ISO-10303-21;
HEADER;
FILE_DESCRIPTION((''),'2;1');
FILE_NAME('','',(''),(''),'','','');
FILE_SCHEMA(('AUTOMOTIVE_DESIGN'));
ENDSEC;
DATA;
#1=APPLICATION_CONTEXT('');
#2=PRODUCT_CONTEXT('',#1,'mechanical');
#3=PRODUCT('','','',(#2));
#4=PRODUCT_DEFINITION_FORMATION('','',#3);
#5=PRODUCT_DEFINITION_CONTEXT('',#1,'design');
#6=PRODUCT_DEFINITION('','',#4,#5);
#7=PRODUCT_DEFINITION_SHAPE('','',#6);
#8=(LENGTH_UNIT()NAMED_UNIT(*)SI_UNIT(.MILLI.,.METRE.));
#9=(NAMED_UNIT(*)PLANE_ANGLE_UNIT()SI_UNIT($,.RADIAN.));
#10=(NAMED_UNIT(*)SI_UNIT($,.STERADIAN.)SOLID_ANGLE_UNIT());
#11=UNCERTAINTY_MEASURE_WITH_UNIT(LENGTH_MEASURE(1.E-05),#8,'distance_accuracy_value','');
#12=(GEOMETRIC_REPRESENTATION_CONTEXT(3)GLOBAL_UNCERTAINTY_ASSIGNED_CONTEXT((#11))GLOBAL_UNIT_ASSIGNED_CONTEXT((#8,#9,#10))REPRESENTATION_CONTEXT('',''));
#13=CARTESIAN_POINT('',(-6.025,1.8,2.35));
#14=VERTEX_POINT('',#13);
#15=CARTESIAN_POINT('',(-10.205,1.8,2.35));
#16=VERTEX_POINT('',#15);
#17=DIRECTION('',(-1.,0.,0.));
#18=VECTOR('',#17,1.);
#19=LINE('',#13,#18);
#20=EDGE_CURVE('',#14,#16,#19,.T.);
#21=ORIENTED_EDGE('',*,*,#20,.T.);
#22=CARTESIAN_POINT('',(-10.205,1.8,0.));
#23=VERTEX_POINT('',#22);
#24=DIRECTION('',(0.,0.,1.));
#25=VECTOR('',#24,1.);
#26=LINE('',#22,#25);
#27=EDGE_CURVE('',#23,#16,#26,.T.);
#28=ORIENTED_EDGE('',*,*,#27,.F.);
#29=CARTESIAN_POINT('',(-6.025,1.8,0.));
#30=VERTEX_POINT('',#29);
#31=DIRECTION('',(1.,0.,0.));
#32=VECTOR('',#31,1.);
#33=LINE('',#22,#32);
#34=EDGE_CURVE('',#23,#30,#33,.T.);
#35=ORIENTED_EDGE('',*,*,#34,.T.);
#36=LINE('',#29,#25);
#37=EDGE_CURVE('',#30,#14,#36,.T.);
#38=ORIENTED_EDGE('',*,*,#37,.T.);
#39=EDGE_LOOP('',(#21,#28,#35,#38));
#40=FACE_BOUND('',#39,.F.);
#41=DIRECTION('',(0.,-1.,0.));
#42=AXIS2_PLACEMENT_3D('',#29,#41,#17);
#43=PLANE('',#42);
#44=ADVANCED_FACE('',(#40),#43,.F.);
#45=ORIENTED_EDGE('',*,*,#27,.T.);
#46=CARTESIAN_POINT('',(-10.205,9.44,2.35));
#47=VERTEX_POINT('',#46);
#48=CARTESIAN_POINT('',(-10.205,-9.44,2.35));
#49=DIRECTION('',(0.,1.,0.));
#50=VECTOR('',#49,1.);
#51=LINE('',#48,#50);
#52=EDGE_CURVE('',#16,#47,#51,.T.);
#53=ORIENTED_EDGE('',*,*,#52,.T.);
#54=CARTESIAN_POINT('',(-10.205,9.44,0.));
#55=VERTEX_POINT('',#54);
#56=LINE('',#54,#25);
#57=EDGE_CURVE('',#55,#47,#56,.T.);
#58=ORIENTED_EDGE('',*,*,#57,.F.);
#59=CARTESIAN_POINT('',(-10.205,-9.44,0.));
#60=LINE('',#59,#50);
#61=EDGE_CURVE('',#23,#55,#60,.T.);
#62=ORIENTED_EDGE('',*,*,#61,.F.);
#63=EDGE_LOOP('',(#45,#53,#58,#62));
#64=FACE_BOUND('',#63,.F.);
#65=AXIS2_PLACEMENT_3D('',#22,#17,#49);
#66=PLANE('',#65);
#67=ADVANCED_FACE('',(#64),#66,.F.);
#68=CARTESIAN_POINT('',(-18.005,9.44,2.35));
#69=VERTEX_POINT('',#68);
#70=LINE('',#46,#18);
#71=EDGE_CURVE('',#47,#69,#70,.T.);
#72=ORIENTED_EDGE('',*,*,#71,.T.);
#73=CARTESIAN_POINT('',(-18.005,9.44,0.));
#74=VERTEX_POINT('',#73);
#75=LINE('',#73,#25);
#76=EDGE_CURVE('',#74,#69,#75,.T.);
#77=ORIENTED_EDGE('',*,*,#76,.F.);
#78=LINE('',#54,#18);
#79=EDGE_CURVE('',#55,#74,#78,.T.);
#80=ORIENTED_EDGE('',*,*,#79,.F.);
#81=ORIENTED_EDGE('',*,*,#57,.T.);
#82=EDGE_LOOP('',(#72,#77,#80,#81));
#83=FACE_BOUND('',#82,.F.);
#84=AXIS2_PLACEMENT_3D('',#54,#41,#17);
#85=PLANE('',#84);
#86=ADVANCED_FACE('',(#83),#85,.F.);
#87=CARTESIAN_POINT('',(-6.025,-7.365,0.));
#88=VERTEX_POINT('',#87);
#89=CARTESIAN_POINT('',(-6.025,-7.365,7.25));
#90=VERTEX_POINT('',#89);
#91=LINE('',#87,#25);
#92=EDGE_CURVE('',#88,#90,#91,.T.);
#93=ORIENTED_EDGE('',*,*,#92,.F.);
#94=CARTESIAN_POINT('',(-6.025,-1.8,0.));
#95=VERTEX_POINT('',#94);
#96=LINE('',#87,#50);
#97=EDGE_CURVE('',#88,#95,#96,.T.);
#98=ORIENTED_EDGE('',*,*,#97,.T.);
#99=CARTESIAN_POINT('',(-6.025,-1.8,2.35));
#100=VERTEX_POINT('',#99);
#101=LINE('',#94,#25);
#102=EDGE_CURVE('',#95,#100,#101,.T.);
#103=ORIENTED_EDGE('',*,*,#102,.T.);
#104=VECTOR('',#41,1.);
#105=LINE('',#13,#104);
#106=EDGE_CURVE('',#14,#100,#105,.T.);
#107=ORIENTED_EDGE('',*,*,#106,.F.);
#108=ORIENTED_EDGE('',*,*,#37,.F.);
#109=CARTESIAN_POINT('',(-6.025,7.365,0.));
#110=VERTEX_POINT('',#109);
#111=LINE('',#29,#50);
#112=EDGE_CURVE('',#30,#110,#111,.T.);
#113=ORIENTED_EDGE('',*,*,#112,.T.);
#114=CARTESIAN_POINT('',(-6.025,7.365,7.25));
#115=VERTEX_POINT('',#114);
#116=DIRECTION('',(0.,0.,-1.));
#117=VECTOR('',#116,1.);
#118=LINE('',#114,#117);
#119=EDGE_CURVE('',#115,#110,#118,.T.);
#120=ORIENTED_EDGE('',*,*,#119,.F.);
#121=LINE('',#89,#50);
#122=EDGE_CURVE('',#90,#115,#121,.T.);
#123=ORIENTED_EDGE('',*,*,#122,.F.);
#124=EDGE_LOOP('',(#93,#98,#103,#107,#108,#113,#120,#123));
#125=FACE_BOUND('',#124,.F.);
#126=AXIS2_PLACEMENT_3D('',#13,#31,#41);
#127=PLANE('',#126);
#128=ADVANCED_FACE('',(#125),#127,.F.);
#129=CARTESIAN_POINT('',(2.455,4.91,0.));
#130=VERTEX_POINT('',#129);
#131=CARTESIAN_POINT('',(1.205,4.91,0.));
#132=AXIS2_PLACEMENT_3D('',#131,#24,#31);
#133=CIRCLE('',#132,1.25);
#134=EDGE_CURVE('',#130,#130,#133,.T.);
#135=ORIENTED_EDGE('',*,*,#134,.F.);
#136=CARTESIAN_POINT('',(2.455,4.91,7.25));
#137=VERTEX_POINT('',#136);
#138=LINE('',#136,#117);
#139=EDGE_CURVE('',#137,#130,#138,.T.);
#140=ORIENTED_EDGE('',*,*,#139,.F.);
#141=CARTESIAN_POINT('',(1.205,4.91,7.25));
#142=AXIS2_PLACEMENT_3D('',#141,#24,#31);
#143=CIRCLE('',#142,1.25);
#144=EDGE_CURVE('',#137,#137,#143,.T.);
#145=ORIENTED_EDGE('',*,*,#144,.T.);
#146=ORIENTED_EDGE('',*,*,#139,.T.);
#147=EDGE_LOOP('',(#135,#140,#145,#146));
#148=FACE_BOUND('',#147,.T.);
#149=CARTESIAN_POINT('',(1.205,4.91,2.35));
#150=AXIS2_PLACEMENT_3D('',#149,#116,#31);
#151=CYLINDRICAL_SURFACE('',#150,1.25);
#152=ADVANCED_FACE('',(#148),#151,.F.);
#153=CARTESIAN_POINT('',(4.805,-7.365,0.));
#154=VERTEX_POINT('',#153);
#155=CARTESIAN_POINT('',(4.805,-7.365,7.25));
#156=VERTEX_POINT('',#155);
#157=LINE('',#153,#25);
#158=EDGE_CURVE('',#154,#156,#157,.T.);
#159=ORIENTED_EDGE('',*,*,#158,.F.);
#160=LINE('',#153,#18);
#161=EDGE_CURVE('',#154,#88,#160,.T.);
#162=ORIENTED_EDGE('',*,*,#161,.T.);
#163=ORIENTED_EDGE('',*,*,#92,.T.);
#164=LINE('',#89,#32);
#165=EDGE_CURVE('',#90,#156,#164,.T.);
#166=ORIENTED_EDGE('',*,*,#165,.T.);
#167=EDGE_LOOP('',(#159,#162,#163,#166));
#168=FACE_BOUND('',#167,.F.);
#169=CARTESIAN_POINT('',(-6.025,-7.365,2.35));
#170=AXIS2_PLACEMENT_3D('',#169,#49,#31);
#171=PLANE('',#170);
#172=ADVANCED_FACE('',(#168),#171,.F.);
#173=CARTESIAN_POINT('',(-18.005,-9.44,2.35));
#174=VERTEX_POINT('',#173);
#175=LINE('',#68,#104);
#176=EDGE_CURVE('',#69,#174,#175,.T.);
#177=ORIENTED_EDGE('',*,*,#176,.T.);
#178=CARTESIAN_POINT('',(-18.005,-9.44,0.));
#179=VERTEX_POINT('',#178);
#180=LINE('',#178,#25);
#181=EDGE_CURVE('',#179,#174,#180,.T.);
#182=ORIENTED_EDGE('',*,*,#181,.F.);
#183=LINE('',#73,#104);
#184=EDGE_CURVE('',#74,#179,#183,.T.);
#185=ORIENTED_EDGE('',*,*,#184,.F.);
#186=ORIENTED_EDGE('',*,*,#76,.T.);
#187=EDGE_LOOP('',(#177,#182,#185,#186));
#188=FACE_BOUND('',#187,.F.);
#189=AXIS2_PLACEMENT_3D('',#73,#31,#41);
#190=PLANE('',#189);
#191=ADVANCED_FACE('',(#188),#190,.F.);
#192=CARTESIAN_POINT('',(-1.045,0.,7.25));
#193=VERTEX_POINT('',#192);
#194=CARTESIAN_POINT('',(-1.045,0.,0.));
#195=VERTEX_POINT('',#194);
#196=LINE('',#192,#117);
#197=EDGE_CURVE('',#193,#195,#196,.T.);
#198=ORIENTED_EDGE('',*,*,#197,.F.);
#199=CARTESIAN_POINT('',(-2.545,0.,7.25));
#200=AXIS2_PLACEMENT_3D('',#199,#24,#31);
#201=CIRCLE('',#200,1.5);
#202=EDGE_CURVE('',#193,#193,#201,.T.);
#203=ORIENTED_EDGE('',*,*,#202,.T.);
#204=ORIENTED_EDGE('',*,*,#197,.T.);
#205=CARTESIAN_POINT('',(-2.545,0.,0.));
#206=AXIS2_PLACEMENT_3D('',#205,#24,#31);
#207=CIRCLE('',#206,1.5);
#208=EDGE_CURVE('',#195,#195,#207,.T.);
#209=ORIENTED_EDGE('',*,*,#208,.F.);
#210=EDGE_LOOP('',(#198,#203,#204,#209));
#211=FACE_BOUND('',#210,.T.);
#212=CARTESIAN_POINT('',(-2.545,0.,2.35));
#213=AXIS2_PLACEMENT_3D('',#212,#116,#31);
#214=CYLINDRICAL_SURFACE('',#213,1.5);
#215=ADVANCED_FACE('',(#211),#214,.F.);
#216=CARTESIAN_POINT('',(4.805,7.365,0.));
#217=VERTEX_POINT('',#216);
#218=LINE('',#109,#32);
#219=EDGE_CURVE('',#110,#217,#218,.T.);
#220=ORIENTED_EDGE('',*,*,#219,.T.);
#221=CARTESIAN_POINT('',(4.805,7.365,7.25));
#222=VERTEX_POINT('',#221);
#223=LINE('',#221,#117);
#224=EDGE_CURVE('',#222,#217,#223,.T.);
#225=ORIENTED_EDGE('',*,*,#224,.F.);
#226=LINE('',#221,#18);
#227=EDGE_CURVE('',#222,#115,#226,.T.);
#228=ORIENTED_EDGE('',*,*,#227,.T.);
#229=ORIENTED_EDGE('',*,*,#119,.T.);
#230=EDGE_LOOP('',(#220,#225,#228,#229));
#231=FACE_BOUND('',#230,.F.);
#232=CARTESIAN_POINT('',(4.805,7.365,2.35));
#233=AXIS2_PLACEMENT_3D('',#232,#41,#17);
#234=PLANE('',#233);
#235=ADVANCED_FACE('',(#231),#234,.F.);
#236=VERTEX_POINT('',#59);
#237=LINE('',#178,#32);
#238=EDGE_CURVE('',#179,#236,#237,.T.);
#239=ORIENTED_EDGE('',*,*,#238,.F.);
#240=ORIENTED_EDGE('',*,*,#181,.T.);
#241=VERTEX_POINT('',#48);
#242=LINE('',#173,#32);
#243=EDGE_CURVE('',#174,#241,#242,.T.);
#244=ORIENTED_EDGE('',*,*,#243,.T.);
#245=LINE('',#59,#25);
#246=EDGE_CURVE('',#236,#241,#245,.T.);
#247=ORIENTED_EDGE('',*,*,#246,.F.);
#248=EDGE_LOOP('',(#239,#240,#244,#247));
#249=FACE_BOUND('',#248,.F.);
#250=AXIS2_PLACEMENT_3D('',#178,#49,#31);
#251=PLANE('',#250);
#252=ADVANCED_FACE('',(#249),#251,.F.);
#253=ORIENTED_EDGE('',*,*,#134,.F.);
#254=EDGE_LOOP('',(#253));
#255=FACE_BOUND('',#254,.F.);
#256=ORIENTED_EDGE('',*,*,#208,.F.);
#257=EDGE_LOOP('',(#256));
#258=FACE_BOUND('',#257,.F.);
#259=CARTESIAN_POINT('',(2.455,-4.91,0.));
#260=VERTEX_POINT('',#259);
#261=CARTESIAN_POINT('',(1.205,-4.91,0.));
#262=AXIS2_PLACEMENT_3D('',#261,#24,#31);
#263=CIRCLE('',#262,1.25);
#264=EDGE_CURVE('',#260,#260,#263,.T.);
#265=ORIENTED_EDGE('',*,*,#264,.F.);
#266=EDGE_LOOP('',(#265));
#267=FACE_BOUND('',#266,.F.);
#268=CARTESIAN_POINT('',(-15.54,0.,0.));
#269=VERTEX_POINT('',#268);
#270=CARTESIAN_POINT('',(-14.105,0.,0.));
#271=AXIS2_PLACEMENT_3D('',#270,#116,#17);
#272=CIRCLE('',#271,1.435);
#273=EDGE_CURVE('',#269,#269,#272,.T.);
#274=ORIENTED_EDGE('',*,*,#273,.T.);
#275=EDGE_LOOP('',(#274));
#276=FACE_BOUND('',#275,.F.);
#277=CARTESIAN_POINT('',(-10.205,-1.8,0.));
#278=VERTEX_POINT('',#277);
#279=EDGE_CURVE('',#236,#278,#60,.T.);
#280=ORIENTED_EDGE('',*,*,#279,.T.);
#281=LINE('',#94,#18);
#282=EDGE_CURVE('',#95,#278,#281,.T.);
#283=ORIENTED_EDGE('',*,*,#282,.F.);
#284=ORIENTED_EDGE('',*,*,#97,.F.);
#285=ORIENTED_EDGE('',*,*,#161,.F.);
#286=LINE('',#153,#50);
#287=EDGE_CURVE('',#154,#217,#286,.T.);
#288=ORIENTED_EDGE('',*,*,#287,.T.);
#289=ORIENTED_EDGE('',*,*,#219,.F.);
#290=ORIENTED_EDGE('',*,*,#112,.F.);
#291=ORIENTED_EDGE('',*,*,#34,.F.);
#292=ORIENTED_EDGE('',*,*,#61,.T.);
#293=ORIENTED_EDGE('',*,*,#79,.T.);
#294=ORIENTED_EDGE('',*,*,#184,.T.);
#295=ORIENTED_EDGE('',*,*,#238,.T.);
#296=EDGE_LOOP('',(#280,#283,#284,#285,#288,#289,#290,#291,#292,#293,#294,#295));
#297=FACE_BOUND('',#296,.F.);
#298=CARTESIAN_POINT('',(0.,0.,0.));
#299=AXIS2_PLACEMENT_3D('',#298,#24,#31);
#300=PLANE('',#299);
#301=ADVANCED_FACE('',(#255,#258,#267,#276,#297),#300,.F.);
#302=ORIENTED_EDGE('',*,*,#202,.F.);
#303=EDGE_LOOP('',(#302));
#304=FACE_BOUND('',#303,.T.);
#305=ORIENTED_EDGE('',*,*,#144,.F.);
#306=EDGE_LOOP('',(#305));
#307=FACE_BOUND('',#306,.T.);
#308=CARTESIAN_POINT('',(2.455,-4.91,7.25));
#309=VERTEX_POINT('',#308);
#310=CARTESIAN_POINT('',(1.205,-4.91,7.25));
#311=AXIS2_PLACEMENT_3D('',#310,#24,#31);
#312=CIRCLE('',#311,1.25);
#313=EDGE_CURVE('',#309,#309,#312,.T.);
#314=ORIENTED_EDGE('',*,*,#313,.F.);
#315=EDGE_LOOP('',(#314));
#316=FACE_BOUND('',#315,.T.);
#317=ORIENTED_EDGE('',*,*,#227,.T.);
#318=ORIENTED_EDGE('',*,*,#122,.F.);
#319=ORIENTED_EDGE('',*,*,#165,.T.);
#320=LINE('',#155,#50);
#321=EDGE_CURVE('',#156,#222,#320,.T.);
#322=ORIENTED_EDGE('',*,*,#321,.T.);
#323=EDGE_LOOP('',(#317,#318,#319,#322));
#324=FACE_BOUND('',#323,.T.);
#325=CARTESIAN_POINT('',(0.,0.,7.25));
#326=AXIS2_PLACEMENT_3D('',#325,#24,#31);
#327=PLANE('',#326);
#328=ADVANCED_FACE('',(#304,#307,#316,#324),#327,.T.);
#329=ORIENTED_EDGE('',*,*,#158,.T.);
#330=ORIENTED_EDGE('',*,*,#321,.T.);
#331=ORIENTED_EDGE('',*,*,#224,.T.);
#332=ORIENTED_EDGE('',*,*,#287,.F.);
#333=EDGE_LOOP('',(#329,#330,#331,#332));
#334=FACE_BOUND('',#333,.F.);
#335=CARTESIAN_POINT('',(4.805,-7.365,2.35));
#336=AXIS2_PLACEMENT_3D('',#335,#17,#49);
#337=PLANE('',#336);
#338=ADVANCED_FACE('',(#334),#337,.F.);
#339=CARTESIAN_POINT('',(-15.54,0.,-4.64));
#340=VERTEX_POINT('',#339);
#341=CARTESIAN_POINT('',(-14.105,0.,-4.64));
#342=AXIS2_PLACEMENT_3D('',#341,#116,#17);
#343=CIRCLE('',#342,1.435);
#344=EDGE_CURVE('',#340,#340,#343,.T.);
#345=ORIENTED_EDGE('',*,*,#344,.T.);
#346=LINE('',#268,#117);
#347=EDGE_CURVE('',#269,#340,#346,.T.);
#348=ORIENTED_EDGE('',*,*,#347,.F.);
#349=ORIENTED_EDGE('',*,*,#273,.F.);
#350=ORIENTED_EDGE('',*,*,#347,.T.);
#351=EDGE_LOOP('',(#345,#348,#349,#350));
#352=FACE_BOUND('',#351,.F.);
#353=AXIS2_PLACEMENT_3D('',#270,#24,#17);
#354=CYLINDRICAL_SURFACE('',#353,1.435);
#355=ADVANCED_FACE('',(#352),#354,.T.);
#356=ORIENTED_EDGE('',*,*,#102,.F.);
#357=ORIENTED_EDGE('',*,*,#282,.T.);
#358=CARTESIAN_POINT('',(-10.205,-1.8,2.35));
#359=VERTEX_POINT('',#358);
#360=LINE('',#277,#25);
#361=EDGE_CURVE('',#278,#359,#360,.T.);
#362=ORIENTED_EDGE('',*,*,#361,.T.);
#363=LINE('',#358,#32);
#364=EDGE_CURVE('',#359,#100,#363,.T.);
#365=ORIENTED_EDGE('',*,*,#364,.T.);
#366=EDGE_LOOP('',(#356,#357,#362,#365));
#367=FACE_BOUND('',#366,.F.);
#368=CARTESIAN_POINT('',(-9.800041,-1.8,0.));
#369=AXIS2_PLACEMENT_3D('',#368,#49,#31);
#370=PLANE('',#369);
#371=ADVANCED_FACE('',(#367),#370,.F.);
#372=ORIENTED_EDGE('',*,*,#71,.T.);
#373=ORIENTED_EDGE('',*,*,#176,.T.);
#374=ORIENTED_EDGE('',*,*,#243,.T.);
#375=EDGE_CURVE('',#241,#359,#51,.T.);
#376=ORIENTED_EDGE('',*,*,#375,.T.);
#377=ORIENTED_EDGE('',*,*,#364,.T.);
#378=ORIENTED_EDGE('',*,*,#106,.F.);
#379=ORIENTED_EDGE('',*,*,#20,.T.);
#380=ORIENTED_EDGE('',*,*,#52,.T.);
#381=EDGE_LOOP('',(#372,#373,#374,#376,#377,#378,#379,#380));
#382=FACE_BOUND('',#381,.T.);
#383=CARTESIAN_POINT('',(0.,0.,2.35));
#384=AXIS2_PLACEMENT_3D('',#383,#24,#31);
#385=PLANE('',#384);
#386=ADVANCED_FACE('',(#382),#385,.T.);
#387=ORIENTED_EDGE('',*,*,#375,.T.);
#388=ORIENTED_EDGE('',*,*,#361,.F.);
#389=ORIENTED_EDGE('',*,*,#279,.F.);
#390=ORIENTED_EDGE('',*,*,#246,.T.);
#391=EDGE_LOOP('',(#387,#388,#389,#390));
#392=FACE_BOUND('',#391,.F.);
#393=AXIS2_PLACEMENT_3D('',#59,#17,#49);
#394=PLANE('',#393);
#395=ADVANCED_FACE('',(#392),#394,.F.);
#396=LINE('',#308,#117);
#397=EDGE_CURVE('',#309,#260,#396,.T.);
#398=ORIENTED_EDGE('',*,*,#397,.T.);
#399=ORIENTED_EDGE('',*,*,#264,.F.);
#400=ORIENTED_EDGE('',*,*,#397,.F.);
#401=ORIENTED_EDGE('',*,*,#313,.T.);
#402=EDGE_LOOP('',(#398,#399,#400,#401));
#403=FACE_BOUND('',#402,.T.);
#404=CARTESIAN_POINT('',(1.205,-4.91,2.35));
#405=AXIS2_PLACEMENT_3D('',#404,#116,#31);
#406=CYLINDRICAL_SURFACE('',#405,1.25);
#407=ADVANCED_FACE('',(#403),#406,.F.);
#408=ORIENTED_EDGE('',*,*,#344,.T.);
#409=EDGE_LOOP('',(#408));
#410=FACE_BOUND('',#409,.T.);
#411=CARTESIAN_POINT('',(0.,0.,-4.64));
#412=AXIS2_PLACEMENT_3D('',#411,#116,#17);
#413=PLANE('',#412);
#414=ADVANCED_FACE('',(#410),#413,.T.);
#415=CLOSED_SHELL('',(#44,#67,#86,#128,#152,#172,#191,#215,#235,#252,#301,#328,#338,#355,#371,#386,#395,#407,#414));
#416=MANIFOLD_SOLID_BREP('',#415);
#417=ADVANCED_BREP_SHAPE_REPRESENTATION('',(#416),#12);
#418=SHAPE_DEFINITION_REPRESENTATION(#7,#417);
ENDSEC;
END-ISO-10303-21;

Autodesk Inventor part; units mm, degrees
ref_plane "YZ Plane" through (0, 0, 0) normal (1, 0, 0) x (0, 1, 0)
ref_plane "XZ Plane" through (0, 0, 0) normal (0, 1, 0) x (-1, 0, 0)
ref_plane "XY Plane" through (0, 0, 0) normal (0, 0, 1) x (1, 0, 0)
sketch "Skizze1" plane through (0, 0, 0) normal (0, 0, 1) x (1, 0, 0)
  circle A0 centre (-2.545, 0) radius 7.475 projected
  circle A1 centre (-2.545, 0) radius 1.5 projected
  circle A2 centre (1.205, -4.91) radius 1.25 projected
  circle A3 centre (1.205, 4.91) radius 1.25 projected
  line L0 (-6.025, -7.365) -> (4.805, -7.365)
  line L1 (4.805, -7.365) -> (4.805, 7.365)
  line L2 (4.805, 7.365) -> (-6.025, 7.365)
  line L3 (-6.025, 7.365) -> (-6.025, -7.365)
  line L4 (-6.025, -7.365) -> (4.805, 7.365) construction
  line L5 (4.805, -7.365) -> (-6.025, 7.365) construction
  line L6 (-10.205, -1.8) -> (-6.025, -1.8)
  line L7 (-6.025, -1.8) -> (-6.025, 1.8)
  line L8 (-6.025, 1.8) -> (-10.205, 1.8)
  line L9 (-10.205, 1.8) -> (-10.205, -1.8)
  line L10 (-10.205, -1.8) -> (-6.025, 1.8) construction
  line L11 (-6.025, -1.8) -> (-10.205, 1.8) construction
  line L12 (-18.005, -9.44) -> (-10.205, -9.44)
  line L13 (-10.205, -9.44) -> (-10.205, 9.44)
  line L14 (-10.205, 9.44) -> (-18.005, 9.44)
  line L15 (-18.005, 9.44) -> (-18.005, -9.44)
  line L16 (-18.005, -9.44) -> (-10.205, 9.44) construction
  line L17 (-10.205, -9.44) -> (-18.005, 9.44) construction
  point P0 (0, 0)
  point P1 (-0.61, 0)
  point P2 (-8.115, 0)
  point P3 (-6.025, 0)
  point P4 (-14.105, 0)
  point P5 (-10.205, 0)
  dimension "d1" = 3.6
  dimension "d2" = 14.73
  dimension "d3" = 10.83
  dimension "d4" = 4.18
  dimension "d5" = 3.6
  dimension "d6" = 18.88
  dimension "d7" = 7.8
extrude "Extrusion1" add sketch "Skizze1" along normal blind 2.35 contours L1 A0 L0 L3 L2 | A0 L2 L1 | L1 L0 A0 | A0 L3 L2 | L0 L3 A0 | L8 L3 L6 A0 | A0 L6 L9 L8 | L9 L13 L12 L15 L14
sketch "Skizze2" plane through (0, 0, 2.35) normal (0, 0, 1) x (1, 0, 0)
  line L0 (-10.205, -9.44) -> (-10.205, -1.8) projected
  line L1 (-10.205, -1.8) -> (-6.025, -1.8) projected
  line L2 (-6.025, -1.8) -> (-6.025, -7.365) projected
  line L3 (-6.025, -7.365) -> (4.805, -7.365) projected
  line L4 (4.805, -7.365) -> (4.805, 7.365) projected
  line L5 (4.805, 7.365) -> (-6.025, 7.365) projected
  line L6 (-6.025, 7.365) -> (-6.025, 1.8) projected
  line L7 (-6.025, 1.8) -> (-10.205, 1.8) projected
  line L8 (-10.205, 1.8) -> (-10.205, 9.44) projected
  line L9 (-10.205, 9.44) -> (-18.005, 9.44) projected
  line L10 (-18.005, 9.44) -> (-18.005, -9.44) projected
  line L11 (-18.005, -9.44) -> (-10.205, -9.44) projected
  circle A0 centre (1.205, 4.91) radius 1.25 projected
  circle A1 centre (1.205, -4.91) radius 1.25 projected
  circle A2 centre (-2.545, 0) radius 1.5 projected
  line L12 (-6.025, 1.8) -> (-10.205, 1.8) projected
  line L13 (-6.025, 1.8) -> (-6.025, -1.8)
  point P0 (0, 0)
extrude "Extrusion2" add sketch "Skizze2" along normal blind 4.9 contours L13 L6 L5 L4 L3 L2
sketch "Skizze3" plane through (0, 0, 0) normal (0, 0, -1) x (-1, 0, 0)
  line L0 (10.205, -9.44) -> (10.205, -1.8) projected
  line L1 (18.005, -9.44) -> (10.205, -9.44) projected
  line L2 (18.005, 9.44) -> (18.005, -9.44) projected
  line L3 (10.205, 9.44) -> (18.005, 9.44) projected
  line L4 (10.205, 1.8) -> (10.205, 9.44) projected
  line L5 (6.025, 1.8) -> (10.205, 1.8) projected
  line L6 (6.025, 7.365) -> (6.025, 1.8) projected
  line L7 (-4.805, 7.365) -> (6.025, 7.365) projected
  line L8 (-4.805, -7.365) -> (-4.805, 7.365) projected
  line L9 (6.025, -7.365) -> (-4.805, -7.365) projected
  line L10 (6.025, -1.8) -> (6.025, -7.365) projected
  line L11 (10.205, -1.8) -> (6.025, -1.8) projected
  circle A0 centre (-1.205, 4.91) radius 1.25 projected
  circle A1 centre (-1.205, -4.91) radius 1.25 projected
  circle A2 centre (2.545, 0) radius 1.5 projected
  circle A3 centre (14.105, 0) radius 1.435
  point P0 (0, 0)
  dimension "d12" = 2.87
extrude "Extrusion3" add sketch "Skizze3" along normal blind 4.64 contours A3
properties part number "00_Linear_Stepper_90mm_slide"
